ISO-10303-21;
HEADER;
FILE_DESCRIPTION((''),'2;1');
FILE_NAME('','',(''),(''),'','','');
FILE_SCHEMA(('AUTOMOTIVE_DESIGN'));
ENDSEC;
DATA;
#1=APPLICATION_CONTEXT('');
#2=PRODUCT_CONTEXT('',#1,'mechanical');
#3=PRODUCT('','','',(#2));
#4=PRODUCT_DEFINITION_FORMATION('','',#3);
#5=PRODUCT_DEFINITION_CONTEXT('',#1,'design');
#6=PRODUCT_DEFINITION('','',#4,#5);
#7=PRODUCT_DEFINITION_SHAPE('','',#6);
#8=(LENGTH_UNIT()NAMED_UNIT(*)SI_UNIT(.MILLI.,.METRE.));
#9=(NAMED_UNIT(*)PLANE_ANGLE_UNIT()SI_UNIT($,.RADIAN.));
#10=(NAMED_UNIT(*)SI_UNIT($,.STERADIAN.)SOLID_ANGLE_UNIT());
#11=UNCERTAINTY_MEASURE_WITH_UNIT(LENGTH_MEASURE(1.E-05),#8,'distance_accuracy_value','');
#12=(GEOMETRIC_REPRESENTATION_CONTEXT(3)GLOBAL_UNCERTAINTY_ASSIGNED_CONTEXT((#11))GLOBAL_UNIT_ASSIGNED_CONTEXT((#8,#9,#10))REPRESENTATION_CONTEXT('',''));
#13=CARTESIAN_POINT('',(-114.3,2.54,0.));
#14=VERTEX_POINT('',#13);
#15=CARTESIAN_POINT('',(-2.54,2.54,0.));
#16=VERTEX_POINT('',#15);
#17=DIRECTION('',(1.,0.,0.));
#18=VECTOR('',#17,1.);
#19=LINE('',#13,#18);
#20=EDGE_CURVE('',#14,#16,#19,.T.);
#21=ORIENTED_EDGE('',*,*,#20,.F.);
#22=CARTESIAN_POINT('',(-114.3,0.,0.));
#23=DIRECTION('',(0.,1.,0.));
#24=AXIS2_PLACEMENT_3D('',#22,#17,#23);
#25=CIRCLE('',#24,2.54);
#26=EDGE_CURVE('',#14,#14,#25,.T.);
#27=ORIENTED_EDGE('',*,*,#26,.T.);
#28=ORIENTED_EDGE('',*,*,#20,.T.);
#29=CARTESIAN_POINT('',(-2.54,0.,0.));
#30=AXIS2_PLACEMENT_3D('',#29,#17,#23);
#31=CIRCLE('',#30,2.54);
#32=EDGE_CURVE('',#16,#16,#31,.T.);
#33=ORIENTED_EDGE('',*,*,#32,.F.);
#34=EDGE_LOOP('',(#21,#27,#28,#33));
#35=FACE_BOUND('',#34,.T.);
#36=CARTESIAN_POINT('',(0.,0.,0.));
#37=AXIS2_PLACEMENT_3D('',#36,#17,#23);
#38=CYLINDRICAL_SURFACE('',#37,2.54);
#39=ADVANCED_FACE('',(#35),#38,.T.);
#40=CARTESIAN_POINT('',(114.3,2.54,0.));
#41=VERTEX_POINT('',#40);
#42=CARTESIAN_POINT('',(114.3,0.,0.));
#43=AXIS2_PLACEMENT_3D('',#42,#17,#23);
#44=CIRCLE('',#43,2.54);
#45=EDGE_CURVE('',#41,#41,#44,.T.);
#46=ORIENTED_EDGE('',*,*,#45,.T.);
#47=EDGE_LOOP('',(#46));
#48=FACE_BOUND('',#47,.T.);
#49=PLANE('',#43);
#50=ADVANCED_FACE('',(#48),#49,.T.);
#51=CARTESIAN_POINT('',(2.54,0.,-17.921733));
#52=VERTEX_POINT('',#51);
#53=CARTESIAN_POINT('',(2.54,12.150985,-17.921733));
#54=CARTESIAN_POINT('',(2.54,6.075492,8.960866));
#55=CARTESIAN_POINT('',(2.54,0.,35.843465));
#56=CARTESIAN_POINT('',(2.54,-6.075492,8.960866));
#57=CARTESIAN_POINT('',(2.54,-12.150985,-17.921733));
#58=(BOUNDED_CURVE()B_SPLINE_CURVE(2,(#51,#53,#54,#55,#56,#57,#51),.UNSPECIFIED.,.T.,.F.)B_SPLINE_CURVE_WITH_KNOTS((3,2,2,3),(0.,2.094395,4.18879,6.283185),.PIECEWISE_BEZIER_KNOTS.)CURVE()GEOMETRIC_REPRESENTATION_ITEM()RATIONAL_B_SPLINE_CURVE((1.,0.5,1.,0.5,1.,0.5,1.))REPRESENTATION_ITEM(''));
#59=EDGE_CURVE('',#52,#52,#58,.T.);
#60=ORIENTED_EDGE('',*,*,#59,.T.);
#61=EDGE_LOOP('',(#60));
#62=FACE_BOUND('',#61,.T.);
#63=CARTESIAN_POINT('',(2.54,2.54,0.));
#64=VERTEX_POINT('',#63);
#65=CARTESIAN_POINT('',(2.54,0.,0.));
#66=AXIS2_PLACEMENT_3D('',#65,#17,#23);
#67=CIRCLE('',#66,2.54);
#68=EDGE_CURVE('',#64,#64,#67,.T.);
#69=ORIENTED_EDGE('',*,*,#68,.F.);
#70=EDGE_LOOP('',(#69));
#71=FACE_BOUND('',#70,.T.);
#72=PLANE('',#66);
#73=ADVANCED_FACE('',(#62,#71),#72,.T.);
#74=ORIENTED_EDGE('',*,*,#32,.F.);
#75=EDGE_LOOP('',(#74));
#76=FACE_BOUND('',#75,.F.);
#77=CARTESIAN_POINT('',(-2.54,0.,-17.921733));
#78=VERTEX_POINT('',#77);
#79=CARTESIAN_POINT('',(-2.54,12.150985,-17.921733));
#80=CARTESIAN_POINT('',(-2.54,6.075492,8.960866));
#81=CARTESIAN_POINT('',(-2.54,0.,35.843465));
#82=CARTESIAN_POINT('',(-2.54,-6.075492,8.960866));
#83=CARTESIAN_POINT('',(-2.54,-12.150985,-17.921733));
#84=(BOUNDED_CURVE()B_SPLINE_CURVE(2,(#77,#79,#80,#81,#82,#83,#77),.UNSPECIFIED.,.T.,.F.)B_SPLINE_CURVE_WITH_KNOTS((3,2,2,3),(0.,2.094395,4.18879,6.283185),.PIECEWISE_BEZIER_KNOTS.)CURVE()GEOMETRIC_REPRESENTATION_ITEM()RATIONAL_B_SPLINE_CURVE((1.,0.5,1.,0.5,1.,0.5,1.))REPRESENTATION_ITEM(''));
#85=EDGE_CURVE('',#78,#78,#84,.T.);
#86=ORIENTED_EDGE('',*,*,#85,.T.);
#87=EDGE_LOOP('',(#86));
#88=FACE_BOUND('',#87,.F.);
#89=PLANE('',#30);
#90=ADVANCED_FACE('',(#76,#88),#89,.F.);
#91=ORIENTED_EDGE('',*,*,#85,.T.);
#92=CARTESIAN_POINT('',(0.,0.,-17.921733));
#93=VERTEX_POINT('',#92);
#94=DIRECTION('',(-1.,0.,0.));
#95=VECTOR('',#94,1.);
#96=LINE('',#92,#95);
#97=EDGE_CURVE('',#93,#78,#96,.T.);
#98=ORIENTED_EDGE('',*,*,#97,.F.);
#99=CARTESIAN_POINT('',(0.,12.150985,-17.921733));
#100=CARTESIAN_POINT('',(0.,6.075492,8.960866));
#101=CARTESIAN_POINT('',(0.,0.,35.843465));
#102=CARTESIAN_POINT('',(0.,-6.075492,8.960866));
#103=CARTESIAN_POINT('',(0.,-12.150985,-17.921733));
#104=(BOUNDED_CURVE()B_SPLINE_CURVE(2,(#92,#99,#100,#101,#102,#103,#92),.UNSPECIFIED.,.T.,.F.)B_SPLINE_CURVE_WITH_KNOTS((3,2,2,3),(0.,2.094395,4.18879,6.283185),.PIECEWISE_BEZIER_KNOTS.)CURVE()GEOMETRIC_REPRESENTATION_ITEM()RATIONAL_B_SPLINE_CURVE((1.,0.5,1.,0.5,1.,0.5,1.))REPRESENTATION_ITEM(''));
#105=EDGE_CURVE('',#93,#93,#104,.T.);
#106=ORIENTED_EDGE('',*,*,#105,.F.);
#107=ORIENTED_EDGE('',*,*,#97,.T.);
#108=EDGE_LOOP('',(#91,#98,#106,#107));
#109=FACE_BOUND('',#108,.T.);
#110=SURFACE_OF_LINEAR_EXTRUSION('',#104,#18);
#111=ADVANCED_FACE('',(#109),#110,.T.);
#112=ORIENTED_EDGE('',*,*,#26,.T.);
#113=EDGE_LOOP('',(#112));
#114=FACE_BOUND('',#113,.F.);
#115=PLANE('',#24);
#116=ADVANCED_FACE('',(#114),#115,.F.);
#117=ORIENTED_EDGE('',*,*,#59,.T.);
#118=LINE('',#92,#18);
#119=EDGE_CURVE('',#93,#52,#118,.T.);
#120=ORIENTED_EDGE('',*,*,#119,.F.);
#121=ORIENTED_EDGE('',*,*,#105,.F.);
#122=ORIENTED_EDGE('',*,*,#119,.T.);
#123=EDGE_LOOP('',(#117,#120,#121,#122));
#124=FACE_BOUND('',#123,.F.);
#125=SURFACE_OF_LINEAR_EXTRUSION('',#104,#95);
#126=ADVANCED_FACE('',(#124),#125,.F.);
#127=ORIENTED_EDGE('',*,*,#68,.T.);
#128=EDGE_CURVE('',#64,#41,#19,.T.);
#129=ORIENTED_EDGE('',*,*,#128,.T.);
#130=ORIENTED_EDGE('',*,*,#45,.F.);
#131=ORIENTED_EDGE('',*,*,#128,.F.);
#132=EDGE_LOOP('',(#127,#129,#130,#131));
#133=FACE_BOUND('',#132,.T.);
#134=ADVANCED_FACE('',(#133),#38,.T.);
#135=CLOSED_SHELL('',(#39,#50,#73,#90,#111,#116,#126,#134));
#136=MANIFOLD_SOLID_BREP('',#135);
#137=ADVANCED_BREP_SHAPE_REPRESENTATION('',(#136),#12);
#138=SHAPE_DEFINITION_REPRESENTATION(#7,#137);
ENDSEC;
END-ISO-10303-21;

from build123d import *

# Parameters (mm, degrees)
F0_R     = 2.54
F1_DEPTH = 114.3
F3_DEPTH = 2.54


with BuildPart() as f1:
    # F0 (on Right) → F1 (new body, symmetric)
    with BuildSketch(Plane.YZ):
        Circle(F0_R)
    extrude(amount=F1_DEPTH, both=True)

    # F2 (on Right) → F3 (join, symmetric)
    with BuildSketch(Plane.YZ):
        with BuildLine():
            add(Edge.make_bspline(
                [(0, -17.921733), (12.150985, -17.921733), (6.075492, 8.960866), (0, 35.843465), (-6.075492, 8.960866), (-12.150985, -17.921733), (0, -17.921733)],
                knots=[0, 0, 0, 2.094395, 2.094395, 4.18879, 4.18879, 6.283185, 6.283185, 6.283185], degree=2, weights=[1, 0.5, 1, 0.5, 1, 0.5, 1]))
        make_face()
    extrude(amount=F3_DEPTH, both=True)


solid = f1.part
